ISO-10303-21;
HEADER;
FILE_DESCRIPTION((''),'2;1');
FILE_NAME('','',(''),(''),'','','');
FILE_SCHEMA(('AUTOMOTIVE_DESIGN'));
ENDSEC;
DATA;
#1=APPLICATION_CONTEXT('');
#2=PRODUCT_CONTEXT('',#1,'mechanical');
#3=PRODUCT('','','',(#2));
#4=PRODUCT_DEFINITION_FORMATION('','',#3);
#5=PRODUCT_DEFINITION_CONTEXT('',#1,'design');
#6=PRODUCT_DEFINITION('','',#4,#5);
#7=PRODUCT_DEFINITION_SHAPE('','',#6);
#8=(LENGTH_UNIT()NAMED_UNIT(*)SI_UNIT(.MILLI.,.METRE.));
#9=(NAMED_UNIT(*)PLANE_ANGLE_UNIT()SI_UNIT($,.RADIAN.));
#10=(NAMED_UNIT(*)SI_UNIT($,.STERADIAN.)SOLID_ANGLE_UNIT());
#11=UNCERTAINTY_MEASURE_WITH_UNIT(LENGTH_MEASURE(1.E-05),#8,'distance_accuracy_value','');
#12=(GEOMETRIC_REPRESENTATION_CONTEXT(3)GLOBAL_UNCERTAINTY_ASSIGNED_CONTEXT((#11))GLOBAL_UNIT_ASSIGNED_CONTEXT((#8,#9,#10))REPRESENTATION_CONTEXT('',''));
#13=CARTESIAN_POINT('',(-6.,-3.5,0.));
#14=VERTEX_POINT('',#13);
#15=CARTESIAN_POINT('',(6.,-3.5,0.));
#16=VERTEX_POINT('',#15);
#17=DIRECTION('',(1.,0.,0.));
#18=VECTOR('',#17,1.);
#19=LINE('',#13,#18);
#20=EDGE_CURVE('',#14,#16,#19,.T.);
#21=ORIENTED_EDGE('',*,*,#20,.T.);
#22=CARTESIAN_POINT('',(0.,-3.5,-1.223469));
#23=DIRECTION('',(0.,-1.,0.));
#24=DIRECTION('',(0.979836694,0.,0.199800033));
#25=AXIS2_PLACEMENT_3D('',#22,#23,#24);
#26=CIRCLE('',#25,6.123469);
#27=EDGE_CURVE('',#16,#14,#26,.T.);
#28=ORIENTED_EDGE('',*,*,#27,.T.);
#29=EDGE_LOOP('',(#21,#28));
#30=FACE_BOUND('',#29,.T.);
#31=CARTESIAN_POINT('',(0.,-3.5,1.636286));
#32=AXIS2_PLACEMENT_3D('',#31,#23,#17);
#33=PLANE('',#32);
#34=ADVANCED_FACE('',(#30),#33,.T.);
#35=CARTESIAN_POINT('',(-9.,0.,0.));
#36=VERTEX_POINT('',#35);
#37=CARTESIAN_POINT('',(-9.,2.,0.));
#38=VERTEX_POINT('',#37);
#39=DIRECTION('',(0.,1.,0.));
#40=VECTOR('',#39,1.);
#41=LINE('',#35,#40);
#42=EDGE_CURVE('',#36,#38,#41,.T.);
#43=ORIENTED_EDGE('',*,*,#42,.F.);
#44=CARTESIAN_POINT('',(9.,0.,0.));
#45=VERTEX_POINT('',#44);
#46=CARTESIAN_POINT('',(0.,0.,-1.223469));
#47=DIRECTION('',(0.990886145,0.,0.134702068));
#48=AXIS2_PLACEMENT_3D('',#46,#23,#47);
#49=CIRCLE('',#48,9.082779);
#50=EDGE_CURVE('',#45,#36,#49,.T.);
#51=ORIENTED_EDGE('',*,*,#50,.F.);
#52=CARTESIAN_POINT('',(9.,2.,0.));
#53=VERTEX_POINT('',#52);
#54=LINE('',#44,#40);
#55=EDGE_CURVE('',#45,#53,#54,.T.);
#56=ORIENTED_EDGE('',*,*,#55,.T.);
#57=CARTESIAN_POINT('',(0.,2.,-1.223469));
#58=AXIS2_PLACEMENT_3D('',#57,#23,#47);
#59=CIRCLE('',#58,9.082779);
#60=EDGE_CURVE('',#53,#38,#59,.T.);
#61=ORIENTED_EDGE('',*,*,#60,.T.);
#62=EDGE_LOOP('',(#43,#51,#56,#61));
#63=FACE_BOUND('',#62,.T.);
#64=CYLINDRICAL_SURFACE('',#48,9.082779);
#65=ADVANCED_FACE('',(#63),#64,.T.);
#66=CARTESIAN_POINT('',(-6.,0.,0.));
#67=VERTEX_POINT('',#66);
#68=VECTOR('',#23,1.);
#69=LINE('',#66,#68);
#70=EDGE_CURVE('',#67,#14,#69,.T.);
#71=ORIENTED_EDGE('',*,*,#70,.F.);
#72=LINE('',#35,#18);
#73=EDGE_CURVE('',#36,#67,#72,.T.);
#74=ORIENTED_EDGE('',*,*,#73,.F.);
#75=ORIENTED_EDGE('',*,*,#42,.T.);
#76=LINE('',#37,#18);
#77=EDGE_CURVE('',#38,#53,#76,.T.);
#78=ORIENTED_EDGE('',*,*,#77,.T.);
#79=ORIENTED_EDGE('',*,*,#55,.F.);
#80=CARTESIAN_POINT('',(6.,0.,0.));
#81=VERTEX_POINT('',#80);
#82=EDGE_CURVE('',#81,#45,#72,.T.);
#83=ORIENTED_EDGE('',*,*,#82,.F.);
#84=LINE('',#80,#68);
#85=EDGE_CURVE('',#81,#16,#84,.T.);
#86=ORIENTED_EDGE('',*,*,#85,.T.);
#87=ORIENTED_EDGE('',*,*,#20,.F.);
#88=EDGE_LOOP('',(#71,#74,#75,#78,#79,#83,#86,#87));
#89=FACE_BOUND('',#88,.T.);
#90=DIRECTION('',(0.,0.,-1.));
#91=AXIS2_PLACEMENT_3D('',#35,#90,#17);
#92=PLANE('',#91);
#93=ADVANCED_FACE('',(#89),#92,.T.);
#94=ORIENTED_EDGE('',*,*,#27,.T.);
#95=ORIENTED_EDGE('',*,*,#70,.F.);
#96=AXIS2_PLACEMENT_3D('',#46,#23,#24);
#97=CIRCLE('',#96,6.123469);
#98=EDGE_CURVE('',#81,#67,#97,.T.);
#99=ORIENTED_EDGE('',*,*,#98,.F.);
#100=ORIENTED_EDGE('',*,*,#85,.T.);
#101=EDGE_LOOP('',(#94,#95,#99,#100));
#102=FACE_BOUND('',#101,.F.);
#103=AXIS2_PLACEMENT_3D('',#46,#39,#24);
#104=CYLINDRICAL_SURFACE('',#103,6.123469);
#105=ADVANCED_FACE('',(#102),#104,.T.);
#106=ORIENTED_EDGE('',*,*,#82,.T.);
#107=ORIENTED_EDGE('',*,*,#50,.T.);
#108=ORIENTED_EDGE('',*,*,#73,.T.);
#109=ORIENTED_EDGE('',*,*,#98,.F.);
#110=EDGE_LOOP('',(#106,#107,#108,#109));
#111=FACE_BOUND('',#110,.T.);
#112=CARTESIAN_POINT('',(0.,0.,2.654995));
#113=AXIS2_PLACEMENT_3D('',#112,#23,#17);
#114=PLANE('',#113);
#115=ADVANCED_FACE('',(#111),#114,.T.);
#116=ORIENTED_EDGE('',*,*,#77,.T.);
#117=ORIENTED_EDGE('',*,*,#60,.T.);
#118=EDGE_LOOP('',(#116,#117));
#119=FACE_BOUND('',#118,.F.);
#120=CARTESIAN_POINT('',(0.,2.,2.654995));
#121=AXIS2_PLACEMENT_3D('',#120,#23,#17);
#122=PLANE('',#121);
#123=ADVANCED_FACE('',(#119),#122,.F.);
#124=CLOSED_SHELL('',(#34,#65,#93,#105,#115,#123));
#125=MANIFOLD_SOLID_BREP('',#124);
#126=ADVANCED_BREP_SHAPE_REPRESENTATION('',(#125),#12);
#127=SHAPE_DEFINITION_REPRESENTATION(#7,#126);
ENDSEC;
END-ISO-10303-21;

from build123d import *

# Parameters (mm, degrees)
PAD_DEPTH    = 3.5
PAD001_DEPTH = 2


with BuildPart() as part:
    # Sketch → Pad (new body)
    with BuildSketch(Plane.XZ):
        with BuildLine():
            ThreePointArc((6, 0), (0, 4.9), (-6, 0))
            Line((-6, 0), (6, 0))
        make_face()
    extrude(amount=PAD_DEPTH)

    # Sketch001 → Pad001 (join)
    with BuildSketch(Plane.XZ):
        with BuildLine():
            Line((-9, 0), (9, 0))
            ThreePointArc((9, 0), (0, 7.85931), (-9, 0))
        make_face()
    extrude(amount=-PAD001_DEPTH)


solid = part.part
